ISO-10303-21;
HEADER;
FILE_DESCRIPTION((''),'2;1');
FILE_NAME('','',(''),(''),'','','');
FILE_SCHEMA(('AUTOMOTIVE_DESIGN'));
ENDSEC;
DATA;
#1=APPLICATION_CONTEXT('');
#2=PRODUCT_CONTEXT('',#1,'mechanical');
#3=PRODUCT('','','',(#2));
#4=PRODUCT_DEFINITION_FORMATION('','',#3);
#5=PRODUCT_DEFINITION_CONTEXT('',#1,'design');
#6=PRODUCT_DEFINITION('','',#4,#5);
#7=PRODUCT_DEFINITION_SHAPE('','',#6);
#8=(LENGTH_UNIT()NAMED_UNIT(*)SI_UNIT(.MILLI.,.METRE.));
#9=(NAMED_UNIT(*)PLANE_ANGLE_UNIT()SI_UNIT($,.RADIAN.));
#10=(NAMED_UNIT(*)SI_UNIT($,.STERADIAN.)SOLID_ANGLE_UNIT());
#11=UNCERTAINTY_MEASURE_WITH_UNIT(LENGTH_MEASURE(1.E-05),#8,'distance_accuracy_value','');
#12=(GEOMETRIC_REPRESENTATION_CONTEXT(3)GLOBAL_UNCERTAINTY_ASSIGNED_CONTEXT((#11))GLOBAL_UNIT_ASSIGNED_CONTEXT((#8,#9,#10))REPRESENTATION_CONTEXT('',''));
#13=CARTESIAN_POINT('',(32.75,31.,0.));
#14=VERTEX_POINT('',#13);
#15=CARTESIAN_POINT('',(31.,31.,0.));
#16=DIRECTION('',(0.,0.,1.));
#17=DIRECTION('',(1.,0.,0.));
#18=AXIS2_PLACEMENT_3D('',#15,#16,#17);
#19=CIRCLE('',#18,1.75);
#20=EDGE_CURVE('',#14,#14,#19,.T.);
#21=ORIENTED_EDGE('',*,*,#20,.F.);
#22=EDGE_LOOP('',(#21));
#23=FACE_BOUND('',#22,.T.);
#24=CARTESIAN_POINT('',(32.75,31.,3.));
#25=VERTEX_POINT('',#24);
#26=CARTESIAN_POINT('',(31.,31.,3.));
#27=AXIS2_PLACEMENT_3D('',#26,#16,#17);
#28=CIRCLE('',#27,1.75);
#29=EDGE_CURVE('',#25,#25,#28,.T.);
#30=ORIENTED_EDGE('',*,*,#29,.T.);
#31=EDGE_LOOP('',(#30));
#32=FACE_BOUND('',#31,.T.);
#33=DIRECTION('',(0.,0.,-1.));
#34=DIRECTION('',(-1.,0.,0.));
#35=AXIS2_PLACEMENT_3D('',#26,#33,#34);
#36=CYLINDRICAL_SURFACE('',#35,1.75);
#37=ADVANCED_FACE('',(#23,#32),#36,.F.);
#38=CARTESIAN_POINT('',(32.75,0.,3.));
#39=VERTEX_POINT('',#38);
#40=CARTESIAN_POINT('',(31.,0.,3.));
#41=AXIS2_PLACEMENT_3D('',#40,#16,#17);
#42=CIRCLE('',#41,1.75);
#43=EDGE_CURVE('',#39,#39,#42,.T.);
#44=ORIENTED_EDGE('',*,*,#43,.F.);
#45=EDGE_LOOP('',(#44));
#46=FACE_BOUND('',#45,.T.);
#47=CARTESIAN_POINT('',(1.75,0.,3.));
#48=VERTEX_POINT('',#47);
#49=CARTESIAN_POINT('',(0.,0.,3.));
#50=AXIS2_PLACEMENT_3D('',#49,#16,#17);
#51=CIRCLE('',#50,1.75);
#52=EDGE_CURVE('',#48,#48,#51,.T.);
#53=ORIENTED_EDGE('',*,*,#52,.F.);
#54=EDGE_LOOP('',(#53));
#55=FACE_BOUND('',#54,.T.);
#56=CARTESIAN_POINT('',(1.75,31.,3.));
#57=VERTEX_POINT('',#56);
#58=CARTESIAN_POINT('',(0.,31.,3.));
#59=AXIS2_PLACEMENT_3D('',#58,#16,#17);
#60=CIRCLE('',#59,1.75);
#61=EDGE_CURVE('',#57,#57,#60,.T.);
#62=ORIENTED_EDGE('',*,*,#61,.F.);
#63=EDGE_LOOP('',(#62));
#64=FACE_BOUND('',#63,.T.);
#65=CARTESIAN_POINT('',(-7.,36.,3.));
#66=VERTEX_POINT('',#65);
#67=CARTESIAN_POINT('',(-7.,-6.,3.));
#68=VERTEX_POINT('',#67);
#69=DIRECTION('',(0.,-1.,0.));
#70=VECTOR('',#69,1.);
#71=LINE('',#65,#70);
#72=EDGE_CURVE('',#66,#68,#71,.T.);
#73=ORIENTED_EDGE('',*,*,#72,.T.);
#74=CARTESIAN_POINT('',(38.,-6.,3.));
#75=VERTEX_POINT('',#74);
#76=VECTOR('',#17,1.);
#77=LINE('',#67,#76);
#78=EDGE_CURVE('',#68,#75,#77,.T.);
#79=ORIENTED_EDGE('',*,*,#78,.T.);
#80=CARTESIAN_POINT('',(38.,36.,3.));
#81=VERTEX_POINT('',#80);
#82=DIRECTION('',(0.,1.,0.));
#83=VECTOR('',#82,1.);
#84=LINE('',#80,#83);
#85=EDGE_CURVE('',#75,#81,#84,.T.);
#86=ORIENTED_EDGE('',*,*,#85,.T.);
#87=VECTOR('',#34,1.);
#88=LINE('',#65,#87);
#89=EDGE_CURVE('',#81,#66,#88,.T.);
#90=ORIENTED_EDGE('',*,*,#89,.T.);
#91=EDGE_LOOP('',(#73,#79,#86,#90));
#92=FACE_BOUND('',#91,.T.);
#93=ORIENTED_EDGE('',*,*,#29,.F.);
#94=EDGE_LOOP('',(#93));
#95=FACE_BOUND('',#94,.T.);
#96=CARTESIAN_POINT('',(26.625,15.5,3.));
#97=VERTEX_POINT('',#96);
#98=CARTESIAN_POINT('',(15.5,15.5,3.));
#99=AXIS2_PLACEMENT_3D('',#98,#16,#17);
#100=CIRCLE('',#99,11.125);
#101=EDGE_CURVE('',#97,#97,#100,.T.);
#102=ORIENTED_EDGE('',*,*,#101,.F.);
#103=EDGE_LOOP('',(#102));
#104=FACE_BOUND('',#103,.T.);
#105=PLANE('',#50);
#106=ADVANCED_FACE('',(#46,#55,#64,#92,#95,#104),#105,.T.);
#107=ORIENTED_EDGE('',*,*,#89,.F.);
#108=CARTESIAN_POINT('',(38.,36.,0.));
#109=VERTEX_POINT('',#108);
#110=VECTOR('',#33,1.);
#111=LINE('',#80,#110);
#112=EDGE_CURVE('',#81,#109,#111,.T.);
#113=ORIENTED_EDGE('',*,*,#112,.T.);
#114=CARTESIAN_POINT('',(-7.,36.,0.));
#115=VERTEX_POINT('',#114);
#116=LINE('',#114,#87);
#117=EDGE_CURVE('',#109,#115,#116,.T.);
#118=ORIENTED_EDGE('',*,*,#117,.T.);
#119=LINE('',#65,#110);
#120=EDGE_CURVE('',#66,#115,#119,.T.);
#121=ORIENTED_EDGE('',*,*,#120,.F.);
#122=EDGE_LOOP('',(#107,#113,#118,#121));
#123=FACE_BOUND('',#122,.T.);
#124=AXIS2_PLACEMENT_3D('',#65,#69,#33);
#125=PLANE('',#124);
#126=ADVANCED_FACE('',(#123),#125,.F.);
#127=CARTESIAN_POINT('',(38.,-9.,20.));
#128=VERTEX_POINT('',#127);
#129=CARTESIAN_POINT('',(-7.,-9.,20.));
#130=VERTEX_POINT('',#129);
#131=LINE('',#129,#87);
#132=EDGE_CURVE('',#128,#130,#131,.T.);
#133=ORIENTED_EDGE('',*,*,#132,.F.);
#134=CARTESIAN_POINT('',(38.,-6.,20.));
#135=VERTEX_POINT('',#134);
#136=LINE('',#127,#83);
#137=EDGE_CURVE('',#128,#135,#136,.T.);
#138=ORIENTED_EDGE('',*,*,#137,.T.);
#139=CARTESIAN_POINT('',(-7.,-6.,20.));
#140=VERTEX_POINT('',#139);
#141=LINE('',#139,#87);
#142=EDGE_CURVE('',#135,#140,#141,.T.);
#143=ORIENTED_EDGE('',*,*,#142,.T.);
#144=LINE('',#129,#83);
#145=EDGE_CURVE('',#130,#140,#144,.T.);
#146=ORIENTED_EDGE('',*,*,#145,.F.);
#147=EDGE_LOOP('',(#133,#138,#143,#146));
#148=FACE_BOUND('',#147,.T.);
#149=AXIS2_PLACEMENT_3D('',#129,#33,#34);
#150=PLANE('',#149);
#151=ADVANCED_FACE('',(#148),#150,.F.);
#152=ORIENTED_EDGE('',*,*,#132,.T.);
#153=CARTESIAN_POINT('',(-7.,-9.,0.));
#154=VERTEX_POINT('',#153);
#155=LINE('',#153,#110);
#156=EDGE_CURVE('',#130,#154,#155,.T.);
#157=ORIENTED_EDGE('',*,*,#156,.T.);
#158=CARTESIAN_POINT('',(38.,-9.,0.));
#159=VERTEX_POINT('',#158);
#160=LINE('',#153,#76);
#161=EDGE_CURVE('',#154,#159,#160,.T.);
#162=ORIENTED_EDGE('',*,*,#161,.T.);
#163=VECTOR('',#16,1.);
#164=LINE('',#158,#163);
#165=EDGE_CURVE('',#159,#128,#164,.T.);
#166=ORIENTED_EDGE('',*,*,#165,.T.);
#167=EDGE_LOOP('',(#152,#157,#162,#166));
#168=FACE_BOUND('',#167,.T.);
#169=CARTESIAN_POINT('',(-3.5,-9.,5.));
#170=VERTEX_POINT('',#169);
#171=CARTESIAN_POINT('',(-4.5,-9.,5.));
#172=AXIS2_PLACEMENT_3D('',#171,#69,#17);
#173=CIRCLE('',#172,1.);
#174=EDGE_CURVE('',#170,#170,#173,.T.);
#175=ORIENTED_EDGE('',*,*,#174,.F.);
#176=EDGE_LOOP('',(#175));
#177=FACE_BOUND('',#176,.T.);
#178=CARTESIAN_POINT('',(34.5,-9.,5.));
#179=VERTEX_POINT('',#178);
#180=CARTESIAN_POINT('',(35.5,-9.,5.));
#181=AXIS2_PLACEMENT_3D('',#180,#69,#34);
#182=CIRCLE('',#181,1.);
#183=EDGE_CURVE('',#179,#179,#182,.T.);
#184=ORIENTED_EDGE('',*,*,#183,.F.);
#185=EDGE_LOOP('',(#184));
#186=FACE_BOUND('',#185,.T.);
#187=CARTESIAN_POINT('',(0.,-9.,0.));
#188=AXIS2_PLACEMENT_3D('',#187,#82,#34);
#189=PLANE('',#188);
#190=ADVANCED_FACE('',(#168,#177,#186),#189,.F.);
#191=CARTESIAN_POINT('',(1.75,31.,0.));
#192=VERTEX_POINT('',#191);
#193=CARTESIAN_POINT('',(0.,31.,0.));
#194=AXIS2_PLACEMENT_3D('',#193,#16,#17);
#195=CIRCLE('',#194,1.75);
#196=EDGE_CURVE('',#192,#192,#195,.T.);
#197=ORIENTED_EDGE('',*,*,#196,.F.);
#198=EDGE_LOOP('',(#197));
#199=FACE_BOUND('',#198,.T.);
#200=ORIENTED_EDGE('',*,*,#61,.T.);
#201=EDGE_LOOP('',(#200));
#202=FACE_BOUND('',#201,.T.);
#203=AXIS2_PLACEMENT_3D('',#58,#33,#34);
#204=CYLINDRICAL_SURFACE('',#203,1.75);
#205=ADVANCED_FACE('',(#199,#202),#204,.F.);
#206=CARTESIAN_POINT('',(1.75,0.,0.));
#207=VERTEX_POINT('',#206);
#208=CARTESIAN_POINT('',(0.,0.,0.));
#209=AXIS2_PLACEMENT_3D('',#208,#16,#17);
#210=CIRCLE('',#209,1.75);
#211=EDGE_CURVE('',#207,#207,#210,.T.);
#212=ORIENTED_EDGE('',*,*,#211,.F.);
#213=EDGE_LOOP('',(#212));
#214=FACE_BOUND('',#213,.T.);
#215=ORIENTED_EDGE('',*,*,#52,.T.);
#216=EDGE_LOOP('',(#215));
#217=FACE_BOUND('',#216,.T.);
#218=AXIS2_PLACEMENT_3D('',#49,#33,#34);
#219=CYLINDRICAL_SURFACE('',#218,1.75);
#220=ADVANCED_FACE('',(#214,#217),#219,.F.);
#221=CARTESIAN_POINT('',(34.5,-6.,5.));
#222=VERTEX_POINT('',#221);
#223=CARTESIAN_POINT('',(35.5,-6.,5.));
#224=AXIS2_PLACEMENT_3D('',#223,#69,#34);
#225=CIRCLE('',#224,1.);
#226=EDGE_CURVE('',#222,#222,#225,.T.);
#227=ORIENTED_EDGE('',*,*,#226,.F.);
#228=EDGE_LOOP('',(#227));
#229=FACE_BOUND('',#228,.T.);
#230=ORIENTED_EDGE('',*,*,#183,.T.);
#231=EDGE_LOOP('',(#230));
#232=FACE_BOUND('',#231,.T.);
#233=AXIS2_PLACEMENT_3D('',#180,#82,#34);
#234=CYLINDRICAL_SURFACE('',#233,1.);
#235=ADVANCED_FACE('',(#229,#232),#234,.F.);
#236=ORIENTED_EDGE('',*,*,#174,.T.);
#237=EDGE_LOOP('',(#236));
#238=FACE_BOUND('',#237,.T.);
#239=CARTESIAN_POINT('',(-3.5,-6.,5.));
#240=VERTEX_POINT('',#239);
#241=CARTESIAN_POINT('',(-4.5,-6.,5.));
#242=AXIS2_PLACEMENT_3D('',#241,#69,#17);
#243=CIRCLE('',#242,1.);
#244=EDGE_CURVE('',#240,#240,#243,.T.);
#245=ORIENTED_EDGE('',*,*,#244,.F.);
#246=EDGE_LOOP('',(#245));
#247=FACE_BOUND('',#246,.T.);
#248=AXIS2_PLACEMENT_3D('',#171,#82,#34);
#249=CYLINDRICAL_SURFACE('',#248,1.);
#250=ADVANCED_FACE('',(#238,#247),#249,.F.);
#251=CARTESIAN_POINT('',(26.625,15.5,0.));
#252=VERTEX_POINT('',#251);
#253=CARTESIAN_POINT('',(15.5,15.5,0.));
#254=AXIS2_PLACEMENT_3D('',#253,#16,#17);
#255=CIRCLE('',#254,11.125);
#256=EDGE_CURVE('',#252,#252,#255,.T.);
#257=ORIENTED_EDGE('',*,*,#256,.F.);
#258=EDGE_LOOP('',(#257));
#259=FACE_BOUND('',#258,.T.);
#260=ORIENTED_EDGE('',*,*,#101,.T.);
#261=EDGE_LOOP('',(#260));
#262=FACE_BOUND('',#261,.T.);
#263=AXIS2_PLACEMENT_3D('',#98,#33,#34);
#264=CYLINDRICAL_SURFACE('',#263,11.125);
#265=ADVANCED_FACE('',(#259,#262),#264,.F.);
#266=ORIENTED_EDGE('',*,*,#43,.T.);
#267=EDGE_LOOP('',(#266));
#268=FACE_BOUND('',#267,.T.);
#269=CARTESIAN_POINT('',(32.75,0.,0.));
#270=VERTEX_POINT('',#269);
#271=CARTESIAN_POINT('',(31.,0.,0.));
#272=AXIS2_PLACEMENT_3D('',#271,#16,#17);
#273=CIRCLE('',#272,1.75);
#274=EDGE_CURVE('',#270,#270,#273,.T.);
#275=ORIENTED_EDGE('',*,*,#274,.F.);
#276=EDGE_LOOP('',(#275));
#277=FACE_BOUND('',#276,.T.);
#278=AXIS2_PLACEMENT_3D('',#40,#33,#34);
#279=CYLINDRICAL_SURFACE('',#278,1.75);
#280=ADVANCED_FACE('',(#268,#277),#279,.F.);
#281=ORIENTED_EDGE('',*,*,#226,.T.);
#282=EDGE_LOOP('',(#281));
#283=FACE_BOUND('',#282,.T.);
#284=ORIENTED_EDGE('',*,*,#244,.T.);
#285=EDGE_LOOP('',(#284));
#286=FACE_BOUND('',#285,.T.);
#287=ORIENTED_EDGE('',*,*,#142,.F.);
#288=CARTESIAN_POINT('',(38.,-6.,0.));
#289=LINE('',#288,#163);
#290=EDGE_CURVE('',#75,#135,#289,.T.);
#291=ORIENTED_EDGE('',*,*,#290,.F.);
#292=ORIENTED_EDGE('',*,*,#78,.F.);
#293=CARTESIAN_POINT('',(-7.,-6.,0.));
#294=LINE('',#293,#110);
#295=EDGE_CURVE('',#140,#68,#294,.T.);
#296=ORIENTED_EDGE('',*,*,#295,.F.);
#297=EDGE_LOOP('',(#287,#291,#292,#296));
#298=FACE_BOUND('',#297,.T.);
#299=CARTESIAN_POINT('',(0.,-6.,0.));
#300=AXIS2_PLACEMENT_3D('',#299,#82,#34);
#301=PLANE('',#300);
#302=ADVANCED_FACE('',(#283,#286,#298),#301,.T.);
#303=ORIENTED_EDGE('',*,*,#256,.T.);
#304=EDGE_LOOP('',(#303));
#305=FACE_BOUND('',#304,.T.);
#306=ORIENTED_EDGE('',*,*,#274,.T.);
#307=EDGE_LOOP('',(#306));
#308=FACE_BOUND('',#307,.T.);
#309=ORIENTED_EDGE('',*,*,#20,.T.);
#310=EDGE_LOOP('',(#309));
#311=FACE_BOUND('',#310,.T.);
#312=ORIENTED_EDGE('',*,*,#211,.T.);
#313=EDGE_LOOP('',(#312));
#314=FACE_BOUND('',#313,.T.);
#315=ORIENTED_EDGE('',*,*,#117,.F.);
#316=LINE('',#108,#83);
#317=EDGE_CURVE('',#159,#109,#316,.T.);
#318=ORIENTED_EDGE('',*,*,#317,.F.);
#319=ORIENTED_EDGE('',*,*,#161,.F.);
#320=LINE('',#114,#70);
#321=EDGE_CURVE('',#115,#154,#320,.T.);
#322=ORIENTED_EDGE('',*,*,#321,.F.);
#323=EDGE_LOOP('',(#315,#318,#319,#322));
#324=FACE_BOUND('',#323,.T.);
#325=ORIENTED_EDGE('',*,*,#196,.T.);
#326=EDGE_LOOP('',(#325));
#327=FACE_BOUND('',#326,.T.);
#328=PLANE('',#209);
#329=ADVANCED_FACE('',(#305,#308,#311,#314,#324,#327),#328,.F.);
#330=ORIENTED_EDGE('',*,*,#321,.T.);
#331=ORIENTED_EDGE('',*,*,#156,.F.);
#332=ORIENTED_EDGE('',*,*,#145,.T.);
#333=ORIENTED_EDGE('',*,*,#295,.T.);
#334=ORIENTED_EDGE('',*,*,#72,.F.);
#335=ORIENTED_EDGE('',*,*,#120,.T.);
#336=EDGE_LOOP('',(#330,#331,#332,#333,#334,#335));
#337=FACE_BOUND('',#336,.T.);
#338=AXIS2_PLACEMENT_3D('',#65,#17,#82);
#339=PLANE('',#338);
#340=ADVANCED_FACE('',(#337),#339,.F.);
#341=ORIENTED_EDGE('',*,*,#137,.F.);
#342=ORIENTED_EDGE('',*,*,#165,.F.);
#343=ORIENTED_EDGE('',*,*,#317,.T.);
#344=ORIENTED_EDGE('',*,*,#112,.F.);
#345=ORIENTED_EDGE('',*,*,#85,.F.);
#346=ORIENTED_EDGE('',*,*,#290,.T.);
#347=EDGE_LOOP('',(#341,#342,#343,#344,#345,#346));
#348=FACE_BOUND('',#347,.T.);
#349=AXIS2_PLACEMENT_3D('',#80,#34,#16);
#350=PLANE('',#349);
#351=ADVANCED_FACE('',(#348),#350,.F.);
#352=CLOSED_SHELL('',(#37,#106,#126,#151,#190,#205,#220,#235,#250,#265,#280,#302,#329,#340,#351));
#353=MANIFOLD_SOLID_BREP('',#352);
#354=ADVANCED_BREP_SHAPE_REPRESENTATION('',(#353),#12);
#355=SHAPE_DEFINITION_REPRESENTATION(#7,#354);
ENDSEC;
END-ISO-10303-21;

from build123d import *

# Parameters (mm, degrees)
ESQUISSE1_W        = 45
ESQUISSE1_H        = 42
ESQUISSE1_R        = 1.75
ESQUISSE1_R_2      = 11.125
BOSS_EXTRU_1_DEPTH = 3
ESQUISSE3_W        = 45
ESQUISSE3_H        = 20
ESQUISSE3_R        = 1
BOSS_EXTRU_2_DEPTH = 3


with BuildPart() as part:
    # Esquisse1 → Boss.-Extru.1 (new body)
    with BuildSketch(Plane.XY):
        with Locations((15.5, 15)):
            Rectangle(ESQUISSE1_W, ESQUISSE1_H)
        with Locations((0, 31)):
            Circle(ESQUISSE1_R, mode=Mode.SUBTRACT)
        with Locations((31, 31)):
            Circle(ESQUISSE1_R, mode=Mode.SUBTRACT)
        with Locations((31, 0)):
            Circle(ESQUISSE1_R, mode=Mode.SUBTRACT)
        Circle(ESQUISSE1_R, mode=Mode.SUBTRACT)
        with Locations((15.5, 15.5)):
            Circle(ESQUISSE1_R_2, mode=Mode.SUBTRACT)
    extrude(amount=BOSS_EXTRU_1_DEPTH)

    # Esquisse3 → Boss.-Extru.2 (add)
    with BuildSketch(Plane.XZ.offset(6)):
        with Locations((15.5, 10)):
            Rectangle(ESQUISSE3_W, ESQUISSE3_H)
        with Locations((-4.5, 5)):
            Circle(ESQUISSE3_R, mode=Mode.SUBTRACT)
        with Locations(Location((35.5, 5, 0), (0, 0, 180))):
            Circle(ESQUISSE3_R, mode=Mode.SUBTRACT)
    extrude(amount=BOSS_EXTRU_2_DEPTH)


solid = part.part
